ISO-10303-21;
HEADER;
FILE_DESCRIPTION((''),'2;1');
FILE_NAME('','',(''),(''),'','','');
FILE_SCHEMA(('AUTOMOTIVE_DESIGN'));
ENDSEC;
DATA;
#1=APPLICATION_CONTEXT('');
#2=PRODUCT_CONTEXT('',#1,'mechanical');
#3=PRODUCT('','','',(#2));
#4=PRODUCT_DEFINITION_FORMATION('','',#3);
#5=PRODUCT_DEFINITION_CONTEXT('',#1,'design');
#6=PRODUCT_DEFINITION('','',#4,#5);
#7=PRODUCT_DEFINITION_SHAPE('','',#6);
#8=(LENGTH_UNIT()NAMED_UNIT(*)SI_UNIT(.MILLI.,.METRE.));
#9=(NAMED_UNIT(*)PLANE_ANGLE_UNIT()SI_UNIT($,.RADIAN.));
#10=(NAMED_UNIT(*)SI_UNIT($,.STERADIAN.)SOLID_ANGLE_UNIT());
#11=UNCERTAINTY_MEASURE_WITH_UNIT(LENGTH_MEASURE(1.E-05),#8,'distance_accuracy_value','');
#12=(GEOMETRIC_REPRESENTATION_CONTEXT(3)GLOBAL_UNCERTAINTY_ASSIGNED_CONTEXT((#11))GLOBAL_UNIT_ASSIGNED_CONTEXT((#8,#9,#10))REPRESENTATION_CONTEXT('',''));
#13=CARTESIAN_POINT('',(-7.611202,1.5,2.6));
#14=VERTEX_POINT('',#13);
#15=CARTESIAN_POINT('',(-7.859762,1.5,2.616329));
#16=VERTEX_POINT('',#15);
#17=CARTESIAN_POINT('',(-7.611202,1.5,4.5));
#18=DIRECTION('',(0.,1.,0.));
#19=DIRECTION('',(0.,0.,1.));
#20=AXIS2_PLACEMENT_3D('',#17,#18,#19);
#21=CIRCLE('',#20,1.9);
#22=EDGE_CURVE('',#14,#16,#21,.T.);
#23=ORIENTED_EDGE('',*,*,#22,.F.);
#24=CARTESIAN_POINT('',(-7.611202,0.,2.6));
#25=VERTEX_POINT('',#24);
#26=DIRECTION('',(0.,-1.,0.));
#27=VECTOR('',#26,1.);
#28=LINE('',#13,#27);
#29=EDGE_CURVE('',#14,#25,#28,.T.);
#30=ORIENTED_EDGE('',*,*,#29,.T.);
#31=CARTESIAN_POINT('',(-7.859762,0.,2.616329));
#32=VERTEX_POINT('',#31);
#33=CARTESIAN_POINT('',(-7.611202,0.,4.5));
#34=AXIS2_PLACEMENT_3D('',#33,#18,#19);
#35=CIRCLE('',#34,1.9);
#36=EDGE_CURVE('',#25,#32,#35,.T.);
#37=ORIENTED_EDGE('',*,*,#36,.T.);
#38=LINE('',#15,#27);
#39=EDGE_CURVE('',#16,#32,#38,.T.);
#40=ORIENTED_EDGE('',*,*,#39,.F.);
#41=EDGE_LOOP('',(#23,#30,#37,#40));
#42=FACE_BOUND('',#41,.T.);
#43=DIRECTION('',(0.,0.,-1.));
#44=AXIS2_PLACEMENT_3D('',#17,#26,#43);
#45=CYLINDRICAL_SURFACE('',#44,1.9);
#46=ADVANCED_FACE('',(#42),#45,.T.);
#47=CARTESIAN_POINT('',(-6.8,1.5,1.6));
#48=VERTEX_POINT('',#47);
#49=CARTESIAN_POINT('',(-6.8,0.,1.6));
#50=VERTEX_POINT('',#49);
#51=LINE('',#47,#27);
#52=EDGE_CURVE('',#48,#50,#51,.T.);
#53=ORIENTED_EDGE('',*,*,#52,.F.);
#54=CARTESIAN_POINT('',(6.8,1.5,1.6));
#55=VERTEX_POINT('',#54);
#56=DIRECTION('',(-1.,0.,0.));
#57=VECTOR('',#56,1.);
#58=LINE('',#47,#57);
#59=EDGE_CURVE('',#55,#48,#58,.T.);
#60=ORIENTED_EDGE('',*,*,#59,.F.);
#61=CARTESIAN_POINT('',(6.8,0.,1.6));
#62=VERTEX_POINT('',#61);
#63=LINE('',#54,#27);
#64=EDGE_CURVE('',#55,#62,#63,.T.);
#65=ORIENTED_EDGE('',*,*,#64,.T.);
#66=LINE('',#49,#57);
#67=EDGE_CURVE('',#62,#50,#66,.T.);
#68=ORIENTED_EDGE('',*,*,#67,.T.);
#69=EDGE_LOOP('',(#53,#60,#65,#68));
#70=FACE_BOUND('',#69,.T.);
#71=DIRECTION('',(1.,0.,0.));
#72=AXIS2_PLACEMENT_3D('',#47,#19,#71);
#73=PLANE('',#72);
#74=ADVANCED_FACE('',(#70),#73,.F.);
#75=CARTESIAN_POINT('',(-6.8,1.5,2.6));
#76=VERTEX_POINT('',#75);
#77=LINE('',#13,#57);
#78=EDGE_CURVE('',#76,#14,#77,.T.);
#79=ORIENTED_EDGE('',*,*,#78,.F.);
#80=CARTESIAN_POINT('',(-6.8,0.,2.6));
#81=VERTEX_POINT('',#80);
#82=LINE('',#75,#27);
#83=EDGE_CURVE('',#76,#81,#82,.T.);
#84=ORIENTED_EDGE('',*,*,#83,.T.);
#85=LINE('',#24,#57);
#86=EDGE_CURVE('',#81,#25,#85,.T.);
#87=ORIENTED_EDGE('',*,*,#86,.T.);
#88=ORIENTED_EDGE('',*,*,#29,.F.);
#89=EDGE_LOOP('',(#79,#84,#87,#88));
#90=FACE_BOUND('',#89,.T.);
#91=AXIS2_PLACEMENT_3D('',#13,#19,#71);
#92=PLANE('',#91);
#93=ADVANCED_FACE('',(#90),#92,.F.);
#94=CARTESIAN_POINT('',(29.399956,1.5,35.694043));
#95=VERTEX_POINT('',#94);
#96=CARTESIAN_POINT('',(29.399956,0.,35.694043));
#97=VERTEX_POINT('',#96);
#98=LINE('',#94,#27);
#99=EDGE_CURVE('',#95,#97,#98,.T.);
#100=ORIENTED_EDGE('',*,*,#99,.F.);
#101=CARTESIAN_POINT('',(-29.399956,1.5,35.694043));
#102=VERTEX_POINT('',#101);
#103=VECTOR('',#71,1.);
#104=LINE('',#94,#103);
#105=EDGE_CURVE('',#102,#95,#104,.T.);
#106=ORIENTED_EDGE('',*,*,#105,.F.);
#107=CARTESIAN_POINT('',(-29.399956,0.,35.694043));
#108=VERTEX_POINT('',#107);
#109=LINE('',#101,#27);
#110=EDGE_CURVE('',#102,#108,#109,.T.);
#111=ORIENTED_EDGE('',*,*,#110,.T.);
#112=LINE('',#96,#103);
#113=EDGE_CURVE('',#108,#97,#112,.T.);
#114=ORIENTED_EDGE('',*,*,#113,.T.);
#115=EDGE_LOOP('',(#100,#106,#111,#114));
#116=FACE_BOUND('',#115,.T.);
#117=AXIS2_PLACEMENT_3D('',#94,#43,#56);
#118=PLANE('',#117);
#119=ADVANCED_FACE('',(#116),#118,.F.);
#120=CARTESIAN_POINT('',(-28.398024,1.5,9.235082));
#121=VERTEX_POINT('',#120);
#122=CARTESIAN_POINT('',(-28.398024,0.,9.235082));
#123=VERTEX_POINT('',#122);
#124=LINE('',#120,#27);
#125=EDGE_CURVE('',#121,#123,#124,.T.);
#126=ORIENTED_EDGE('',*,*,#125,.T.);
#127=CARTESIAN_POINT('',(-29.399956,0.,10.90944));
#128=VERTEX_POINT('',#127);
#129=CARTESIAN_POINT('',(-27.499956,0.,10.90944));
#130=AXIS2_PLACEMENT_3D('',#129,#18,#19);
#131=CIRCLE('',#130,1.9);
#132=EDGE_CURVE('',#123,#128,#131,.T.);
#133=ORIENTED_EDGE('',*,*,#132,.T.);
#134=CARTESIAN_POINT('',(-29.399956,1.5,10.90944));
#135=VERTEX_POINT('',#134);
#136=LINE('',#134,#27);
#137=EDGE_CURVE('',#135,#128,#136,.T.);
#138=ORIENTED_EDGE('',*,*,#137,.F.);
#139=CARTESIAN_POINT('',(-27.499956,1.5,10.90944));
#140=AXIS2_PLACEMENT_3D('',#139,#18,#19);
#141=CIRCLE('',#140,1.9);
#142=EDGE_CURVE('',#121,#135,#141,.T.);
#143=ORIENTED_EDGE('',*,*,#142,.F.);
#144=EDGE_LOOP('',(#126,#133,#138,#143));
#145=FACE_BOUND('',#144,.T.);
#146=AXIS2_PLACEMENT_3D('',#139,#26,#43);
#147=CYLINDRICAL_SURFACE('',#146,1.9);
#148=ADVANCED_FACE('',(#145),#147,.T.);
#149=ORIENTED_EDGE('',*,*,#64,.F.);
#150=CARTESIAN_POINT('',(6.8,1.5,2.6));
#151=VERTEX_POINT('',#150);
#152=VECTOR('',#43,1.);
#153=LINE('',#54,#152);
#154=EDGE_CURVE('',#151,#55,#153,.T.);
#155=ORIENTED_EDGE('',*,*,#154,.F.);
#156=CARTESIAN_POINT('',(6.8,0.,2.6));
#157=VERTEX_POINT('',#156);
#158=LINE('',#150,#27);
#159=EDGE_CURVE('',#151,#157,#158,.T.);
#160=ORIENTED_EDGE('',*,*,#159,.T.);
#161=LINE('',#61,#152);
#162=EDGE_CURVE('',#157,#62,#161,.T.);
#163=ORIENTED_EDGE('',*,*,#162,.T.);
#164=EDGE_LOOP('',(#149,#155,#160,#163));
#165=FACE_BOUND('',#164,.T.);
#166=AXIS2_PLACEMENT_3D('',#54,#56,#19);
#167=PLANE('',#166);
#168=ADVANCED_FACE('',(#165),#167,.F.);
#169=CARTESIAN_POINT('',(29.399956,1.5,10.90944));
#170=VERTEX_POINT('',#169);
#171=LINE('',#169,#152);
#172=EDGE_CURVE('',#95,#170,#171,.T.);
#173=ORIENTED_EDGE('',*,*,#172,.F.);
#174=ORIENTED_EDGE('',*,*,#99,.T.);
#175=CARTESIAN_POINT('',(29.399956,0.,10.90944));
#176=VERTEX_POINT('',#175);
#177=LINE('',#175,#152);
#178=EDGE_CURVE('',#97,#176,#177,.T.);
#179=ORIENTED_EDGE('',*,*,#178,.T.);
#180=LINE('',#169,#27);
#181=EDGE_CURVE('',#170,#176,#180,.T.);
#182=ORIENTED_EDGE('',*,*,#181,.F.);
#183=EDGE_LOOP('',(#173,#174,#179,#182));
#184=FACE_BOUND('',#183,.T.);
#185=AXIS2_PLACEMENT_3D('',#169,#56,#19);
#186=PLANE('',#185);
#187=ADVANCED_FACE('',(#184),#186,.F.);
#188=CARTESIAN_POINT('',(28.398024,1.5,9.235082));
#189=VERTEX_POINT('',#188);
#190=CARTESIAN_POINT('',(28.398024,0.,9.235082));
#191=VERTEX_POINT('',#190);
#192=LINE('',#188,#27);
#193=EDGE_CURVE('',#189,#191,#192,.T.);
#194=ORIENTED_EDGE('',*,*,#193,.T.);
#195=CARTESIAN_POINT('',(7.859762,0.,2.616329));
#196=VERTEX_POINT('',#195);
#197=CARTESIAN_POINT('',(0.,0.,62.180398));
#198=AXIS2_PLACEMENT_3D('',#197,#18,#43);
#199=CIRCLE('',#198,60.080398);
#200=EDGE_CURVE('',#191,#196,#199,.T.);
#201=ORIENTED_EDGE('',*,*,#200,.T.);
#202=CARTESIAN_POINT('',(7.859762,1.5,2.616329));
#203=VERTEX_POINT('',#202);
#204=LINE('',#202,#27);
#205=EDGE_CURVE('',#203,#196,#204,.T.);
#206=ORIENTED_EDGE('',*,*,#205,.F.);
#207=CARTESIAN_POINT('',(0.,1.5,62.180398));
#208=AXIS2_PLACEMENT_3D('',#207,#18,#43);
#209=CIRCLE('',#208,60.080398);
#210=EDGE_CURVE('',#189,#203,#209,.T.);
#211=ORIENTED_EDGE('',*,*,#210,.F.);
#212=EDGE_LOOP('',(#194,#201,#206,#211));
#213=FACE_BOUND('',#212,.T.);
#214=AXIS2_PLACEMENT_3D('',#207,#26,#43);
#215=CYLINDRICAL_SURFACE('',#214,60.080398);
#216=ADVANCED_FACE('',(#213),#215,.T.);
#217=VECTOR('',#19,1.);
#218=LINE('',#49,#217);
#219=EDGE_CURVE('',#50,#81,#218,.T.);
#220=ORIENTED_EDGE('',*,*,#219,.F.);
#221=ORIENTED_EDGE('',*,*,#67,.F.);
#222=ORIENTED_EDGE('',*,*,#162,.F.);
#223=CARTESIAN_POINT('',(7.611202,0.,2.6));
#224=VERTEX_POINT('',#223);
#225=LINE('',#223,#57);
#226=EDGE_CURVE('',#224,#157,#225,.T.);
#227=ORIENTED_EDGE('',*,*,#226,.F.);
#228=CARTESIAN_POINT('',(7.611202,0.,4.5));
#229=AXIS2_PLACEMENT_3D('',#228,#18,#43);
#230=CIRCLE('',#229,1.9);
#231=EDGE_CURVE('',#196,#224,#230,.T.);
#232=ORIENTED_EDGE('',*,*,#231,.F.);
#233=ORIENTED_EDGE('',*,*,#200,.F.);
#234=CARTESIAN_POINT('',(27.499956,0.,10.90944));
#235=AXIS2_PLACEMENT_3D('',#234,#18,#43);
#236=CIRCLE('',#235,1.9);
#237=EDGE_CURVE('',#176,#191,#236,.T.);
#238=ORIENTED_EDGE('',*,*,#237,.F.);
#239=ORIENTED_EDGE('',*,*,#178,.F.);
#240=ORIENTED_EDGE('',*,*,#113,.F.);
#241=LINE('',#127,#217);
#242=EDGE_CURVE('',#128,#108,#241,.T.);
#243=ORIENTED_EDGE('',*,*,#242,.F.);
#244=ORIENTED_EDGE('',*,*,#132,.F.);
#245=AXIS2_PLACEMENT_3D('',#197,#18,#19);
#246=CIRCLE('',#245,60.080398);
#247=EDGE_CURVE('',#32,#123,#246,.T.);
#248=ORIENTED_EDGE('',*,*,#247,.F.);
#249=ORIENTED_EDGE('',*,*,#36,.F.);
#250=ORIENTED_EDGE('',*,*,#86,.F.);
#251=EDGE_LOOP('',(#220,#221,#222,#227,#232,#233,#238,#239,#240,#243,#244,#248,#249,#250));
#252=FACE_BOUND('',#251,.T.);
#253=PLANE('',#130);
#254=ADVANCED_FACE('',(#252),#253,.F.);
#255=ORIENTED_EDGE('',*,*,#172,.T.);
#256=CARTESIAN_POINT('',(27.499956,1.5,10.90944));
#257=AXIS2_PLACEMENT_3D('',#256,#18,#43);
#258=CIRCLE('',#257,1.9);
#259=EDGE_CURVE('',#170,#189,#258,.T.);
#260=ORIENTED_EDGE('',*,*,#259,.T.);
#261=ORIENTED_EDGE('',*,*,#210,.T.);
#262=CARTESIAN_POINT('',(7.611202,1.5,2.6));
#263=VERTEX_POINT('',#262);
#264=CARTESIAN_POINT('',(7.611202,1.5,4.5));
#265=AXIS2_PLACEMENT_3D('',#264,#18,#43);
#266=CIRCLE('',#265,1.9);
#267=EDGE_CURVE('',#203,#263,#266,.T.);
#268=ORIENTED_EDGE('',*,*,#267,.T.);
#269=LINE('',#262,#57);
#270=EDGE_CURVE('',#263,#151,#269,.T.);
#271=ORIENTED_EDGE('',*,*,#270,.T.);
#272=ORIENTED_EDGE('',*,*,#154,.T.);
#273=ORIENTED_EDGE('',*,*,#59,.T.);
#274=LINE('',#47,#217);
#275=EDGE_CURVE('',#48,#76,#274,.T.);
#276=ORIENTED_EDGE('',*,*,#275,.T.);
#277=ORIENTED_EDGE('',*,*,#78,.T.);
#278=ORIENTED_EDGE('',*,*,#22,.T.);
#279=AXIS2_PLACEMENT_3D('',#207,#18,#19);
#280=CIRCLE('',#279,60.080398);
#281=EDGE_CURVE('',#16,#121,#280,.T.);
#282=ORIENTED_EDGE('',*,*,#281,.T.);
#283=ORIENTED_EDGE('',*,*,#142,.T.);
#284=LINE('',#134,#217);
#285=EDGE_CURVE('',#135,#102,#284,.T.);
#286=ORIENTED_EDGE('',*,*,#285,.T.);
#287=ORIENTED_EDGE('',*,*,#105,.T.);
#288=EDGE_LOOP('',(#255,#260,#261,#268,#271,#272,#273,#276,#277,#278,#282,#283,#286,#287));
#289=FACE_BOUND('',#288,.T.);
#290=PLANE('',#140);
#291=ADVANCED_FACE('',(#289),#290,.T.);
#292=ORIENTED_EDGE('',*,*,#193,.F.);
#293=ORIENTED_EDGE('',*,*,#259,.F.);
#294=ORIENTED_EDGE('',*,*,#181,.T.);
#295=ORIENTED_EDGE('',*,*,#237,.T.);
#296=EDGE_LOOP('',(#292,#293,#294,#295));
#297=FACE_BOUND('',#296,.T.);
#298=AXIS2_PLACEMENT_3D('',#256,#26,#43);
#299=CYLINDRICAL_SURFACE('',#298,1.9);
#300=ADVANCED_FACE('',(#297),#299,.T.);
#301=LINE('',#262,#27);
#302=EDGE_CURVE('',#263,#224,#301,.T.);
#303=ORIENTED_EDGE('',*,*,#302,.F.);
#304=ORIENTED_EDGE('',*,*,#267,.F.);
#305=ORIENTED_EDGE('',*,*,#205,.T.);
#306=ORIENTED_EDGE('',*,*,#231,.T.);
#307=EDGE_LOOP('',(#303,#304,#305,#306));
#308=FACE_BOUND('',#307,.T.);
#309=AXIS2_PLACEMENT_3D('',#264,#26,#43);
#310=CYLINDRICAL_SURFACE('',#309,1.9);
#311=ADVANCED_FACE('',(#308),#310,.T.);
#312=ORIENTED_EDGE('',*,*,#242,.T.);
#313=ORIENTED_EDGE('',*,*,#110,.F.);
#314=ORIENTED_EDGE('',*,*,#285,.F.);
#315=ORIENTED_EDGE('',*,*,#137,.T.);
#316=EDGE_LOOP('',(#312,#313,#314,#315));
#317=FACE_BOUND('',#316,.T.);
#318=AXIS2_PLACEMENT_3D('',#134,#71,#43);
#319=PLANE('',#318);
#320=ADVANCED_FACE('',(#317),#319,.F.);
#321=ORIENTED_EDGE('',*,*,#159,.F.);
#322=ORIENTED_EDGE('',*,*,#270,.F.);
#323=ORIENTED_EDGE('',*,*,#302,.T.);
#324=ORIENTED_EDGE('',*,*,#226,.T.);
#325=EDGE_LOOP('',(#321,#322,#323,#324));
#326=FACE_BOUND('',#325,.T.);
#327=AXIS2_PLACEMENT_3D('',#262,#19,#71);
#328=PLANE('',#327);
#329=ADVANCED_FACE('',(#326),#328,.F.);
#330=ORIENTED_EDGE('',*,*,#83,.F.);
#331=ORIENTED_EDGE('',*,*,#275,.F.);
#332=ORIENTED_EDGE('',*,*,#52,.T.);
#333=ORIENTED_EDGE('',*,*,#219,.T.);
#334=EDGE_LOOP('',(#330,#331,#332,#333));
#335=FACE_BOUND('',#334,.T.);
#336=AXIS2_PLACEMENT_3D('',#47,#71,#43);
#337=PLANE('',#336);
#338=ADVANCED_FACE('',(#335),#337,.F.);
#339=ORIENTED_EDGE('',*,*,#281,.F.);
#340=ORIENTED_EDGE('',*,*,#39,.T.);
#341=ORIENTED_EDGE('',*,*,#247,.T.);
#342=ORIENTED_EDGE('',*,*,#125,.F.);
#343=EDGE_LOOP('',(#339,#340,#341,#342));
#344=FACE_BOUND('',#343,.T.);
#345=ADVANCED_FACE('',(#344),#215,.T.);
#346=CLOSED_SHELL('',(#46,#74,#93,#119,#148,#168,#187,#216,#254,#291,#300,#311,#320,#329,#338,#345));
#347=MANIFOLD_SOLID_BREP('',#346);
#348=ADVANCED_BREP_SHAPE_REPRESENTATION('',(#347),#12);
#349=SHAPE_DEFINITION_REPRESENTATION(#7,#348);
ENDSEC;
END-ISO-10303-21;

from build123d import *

# Parameters (mm, degrees)
BOSS_EXTRUDE1_DEPTH = 1.5


with BuildPart() as part:
    # Sketch1 → Boss-Extrude1 (new body)
    with BuildSketch(Plane(origin=(0, 0, 0), x_dir=(1, 0, 0), z_dir=(0, 1, 0))):
        with BuildLine():
            Line((29.399956383, -10.909440226), (29.399956383, -35.694042527))
            Line((29.399956383, -35.694042527), (-29.399956383, -35.694042527))
            Line((-29.399956383, -35.694042527), (-29.399956383, -10.909440226))
            ThreePointArc((-29.399956383, -10.909440226), (-29.130344067, -9.933819399), (-28.398023754, -9.235082141))
            ThreePointArc((-28.398023754, -9.235082141), (-18.42847588, -4.996086333), (-7.859761529, -2.616328524))
            ThreePointArc((-7.859761529, -2.616328524), (-7.735749713, -2.604086526), (-7.611202142, -2.6))
            Line((-7.611202142, -2.6), (-6.8, -2.6))
            Line((-6.8, -2.6), (-6.8, -1.6))
            Line((-6.8, -1.6), (6.8, -1.6))
            Line((6.8, -1.6), (6.8, -2.6))
            Line((6.8, -2.6), (7.611202142, -2.6))
            ThreePointArc((7.611202142, -2.6), (7.735749713, -2.604086526), (7.859761529, -2.616328524))
            ThreePointArc((7.859761529, -2.616328524), (18.42847588, -4.996086333), (28.398023754, -9.235082141))
            ThreePointArc((28.398023754, -9.235082141), (29.130344067, -9.933819399), (29.399956383, -10.909440226))
        make_face()
    extrude(amount=BOSS_EXTRUDE1_DEPTH)


solid = part.part
